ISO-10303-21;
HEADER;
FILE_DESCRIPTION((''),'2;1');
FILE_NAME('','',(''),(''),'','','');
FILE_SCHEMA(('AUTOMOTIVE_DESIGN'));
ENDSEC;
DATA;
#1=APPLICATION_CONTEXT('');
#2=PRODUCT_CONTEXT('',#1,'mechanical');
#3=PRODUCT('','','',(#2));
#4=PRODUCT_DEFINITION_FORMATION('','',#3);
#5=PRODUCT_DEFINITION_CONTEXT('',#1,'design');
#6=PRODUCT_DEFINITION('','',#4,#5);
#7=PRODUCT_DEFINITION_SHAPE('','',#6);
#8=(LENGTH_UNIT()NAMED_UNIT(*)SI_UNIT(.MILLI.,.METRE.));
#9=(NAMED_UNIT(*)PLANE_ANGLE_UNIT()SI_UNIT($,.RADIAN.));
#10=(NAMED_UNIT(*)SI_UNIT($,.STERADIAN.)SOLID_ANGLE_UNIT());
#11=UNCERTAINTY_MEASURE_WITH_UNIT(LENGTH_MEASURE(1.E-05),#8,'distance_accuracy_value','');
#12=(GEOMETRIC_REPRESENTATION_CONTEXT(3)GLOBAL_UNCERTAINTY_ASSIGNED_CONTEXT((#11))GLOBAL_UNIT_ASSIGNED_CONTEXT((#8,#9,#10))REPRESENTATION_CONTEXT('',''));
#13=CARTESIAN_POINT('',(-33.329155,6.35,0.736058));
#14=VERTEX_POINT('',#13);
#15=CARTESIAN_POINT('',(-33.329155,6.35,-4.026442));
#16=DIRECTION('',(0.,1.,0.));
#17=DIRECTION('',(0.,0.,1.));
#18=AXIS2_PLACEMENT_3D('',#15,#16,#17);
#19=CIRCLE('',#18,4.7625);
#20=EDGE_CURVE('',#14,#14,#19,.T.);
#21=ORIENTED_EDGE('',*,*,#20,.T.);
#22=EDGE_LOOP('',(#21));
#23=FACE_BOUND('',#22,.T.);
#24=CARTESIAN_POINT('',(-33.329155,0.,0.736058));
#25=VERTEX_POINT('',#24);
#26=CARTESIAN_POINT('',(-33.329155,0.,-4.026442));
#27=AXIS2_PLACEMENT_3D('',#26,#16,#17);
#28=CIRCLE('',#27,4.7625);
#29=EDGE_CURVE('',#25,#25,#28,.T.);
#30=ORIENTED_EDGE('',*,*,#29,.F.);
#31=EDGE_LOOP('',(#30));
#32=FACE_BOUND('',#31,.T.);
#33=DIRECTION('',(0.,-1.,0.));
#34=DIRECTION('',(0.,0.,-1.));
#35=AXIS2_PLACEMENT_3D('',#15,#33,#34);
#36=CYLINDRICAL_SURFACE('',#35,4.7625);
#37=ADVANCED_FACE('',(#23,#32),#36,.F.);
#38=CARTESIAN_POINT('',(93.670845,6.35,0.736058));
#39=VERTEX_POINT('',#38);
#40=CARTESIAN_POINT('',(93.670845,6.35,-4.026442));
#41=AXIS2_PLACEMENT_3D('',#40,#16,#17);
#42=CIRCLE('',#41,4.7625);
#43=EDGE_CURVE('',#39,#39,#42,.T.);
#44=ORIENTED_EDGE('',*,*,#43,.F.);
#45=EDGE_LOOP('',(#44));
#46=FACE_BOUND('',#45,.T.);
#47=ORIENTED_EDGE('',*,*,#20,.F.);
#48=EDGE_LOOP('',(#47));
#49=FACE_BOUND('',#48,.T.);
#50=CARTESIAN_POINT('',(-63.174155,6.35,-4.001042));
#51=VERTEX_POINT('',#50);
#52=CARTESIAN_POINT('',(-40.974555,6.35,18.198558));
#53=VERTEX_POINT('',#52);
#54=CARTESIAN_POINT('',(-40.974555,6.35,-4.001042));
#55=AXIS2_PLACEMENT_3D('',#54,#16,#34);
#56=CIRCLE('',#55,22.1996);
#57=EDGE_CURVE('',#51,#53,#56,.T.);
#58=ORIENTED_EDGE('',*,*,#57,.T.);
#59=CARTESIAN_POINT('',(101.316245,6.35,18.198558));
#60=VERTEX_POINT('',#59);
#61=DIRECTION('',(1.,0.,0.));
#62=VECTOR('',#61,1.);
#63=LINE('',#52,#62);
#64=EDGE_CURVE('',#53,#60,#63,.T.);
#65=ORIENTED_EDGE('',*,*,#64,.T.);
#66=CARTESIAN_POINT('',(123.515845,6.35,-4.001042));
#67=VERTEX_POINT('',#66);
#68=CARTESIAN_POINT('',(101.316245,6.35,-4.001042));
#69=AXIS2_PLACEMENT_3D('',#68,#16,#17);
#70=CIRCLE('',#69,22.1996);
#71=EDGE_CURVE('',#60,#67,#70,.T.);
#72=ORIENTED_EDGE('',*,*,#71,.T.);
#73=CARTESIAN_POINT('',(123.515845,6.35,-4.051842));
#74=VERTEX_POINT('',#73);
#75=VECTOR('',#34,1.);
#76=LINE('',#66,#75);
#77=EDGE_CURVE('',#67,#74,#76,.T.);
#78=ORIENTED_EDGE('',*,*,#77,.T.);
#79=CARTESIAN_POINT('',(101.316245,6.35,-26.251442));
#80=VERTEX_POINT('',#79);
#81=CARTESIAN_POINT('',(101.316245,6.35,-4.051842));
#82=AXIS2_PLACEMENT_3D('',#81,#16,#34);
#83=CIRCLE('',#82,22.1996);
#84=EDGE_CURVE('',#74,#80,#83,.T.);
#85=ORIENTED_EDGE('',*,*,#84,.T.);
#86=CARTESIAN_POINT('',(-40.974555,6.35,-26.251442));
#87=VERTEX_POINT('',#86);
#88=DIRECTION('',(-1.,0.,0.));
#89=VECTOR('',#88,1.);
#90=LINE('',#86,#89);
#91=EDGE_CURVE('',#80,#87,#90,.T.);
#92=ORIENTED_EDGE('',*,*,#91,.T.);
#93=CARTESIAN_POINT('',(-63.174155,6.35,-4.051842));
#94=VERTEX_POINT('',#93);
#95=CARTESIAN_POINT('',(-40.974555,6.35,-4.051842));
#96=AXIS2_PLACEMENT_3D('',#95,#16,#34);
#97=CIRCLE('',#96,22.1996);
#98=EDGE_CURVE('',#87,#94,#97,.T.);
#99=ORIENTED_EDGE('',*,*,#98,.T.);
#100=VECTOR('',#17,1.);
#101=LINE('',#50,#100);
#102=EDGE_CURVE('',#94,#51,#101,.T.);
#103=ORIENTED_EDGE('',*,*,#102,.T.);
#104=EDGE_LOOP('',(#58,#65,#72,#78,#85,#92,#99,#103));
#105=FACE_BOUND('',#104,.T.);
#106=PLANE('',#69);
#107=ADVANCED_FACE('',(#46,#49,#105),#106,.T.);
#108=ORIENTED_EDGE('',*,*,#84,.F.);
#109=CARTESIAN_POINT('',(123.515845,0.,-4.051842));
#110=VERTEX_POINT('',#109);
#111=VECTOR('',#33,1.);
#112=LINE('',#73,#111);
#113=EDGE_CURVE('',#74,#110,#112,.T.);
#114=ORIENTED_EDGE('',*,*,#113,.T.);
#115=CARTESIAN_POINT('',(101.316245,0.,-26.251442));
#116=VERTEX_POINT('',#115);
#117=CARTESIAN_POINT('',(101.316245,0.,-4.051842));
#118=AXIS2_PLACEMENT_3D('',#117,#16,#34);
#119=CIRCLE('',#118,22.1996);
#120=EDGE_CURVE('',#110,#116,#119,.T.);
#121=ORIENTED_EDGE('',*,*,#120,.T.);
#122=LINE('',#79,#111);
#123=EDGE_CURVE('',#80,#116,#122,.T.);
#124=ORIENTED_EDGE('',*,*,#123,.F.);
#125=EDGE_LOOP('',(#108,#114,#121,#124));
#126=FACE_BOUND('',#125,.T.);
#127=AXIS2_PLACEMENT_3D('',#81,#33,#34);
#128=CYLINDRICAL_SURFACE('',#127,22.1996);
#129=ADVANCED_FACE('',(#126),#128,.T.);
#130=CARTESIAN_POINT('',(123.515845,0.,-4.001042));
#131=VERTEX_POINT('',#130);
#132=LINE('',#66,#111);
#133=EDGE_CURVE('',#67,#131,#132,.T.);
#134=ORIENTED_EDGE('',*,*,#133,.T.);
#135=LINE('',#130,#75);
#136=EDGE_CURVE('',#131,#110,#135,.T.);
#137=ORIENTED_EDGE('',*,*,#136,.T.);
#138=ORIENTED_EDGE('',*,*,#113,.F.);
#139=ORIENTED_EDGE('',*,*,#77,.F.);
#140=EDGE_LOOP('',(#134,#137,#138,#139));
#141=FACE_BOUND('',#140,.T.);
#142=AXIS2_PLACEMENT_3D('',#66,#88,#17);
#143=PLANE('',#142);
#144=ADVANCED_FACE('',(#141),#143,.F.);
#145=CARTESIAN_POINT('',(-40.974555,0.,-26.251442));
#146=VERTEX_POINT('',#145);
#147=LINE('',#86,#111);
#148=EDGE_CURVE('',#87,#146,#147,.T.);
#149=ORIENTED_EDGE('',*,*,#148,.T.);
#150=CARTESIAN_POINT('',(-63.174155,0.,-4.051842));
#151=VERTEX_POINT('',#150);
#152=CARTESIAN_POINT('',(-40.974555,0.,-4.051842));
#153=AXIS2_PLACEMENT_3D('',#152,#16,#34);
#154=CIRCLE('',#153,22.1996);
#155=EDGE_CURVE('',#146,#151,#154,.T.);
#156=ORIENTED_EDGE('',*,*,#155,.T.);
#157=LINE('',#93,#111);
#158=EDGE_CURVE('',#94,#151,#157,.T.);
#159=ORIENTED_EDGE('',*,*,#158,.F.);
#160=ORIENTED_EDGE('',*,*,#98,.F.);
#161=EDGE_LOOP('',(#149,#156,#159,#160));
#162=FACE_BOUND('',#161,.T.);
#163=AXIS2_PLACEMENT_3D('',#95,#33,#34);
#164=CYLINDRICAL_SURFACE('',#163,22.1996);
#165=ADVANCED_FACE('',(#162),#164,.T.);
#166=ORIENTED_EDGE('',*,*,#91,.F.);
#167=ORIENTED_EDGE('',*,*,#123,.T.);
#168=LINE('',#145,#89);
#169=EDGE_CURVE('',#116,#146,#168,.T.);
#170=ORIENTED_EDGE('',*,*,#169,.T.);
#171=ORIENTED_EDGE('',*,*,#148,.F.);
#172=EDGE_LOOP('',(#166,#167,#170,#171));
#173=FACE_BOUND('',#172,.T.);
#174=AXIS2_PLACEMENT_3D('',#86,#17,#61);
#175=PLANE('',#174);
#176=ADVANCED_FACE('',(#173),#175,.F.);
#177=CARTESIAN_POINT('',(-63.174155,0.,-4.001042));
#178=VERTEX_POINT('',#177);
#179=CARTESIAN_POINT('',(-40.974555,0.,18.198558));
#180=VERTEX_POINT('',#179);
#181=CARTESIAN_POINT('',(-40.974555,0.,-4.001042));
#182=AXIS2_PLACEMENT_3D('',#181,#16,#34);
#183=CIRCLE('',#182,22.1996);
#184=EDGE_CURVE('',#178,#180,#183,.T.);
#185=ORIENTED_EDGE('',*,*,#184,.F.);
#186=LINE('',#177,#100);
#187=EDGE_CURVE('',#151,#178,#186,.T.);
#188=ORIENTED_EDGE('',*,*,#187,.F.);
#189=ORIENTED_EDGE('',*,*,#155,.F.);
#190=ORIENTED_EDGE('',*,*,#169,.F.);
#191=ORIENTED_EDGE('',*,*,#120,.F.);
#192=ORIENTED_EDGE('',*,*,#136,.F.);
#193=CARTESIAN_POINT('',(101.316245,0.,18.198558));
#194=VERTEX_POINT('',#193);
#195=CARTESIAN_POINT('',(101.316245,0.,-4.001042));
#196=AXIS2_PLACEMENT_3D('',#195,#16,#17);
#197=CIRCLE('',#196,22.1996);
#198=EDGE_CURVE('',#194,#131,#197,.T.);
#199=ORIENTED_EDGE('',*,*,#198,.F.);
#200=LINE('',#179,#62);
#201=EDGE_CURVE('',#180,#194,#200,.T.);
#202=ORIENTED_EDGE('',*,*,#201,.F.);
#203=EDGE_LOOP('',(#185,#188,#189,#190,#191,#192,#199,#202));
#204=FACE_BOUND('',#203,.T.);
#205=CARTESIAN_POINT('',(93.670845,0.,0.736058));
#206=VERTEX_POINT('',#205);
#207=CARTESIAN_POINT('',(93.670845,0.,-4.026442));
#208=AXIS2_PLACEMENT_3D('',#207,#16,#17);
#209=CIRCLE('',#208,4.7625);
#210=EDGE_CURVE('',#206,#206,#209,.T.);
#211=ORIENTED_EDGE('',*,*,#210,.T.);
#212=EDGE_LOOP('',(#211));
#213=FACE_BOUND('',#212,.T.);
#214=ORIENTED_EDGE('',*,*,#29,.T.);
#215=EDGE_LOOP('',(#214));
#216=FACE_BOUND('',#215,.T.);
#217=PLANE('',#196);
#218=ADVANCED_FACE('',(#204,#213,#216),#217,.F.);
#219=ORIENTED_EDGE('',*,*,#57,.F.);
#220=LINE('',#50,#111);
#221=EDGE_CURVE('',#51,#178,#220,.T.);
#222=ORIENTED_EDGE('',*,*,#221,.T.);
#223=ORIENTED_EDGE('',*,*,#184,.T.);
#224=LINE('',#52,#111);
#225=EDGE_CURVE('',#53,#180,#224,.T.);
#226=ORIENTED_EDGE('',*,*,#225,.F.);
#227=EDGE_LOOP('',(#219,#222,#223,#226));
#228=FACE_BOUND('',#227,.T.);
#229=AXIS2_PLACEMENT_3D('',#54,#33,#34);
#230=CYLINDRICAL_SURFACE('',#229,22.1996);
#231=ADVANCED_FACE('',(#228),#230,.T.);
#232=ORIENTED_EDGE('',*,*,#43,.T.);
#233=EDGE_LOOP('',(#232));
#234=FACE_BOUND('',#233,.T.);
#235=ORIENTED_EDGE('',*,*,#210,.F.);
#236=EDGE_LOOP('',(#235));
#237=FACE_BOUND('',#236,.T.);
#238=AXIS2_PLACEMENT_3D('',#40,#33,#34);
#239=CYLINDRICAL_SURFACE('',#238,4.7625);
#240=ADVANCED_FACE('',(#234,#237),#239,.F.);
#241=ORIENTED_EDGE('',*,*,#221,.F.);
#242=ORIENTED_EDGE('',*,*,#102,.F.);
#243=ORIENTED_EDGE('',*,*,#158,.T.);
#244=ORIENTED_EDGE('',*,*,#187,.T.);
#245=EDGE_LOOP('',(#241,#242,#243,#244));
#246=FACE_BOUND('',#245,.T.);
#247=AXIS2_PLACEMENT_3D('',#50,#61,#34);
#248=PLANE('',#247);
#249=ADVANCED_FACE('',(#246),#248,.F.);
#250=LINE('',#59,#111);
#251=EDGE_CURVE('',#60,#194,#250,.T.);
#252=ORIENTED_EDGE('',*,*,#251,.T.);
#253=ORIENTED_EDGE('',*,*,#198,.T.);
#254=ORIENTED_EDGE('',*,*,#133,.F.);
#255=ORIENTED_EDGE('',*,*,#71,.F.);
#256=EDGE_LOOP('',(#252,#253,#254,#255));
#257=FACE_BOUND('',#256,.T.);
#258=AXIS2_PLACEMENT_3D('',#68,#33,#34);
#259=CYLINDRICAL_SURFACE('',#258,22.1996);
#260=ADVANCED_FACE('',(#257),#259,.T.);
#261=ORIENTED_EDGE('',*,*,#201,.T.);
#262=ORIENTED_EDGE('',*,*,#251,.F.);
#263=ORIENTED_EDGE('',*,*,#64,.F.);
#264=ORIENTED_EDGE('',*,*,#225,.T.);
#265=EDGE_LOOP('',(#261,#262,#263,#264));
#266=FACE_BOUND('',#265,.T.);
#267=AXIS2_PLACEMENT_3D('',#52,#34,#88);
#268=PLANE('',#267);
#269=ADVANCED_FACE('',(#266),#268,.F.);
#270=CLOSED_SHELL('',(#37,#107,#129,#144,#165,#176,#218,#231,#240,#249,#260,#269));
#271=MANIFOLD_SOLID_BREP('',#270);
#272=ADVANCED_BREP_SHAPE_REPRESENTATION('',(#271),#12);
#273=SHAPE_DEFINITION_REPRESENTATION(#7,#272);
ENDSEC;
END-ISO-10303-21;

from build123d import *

# Parameters (mm, degrees)
SKETCH1_R           = 4.7625
BOSS_EXTRUDE1_DEPTH = 6.35


with BuildPart() as part:
    # Sketch1 → Boss-Extrude1 (new body)
    with BuildSketch(Plane(origin=(0, 0, 0), x_dir=(1, 0, 0), z_dir=(0, 1, 0))):
        with BuildLine():
            Line((-40.974554678, -18.198557696), (101.316245322, -18.198557696))
            ThreePointArc((101.316245322, -18.198557696), (117.013733021, -11.696445395), (123.515845322, 4.001042304))
            Line((123.515845322, 4.001042304), (123.515845322, 4.051842304))
            ThreePointArc((123.515845322, 4.051842304), (117.013733021, 19.749330004), (101.316245322, 26.251442304))
            Line((101.316245322, 26.251442304), (-40.974554678, 26.251442304))
            ThreePointArc((-40.974554678, 26.251442304), (-56.672042378, 19.749330004), (-63.174154678, 4.051842304))
            Line((-63.174154678, 4.051842304), (-63.174154678, 4.001042304))
            ThreePointArc((-63.174154678, 4.001042304), (-56.672042378, -11.696445395), (-40.974554678, -18.198557696))
        make_face()
        with Locations(Location((-33.329154678, 4.026442304, 0), (0, 0, 270))):
            Circle(SKETCH1_R, mode=Mode.SUBTRACT)
        with Locations(Location((93.670845322, 4.026442304, 0), (0, 0, 270))):
            Circle(SKETCH1_R, mode=Mode.SUBTRACT)
    extrude(amount=BOSS_EXTRUDE1_DEPTH)


solid = part.part
